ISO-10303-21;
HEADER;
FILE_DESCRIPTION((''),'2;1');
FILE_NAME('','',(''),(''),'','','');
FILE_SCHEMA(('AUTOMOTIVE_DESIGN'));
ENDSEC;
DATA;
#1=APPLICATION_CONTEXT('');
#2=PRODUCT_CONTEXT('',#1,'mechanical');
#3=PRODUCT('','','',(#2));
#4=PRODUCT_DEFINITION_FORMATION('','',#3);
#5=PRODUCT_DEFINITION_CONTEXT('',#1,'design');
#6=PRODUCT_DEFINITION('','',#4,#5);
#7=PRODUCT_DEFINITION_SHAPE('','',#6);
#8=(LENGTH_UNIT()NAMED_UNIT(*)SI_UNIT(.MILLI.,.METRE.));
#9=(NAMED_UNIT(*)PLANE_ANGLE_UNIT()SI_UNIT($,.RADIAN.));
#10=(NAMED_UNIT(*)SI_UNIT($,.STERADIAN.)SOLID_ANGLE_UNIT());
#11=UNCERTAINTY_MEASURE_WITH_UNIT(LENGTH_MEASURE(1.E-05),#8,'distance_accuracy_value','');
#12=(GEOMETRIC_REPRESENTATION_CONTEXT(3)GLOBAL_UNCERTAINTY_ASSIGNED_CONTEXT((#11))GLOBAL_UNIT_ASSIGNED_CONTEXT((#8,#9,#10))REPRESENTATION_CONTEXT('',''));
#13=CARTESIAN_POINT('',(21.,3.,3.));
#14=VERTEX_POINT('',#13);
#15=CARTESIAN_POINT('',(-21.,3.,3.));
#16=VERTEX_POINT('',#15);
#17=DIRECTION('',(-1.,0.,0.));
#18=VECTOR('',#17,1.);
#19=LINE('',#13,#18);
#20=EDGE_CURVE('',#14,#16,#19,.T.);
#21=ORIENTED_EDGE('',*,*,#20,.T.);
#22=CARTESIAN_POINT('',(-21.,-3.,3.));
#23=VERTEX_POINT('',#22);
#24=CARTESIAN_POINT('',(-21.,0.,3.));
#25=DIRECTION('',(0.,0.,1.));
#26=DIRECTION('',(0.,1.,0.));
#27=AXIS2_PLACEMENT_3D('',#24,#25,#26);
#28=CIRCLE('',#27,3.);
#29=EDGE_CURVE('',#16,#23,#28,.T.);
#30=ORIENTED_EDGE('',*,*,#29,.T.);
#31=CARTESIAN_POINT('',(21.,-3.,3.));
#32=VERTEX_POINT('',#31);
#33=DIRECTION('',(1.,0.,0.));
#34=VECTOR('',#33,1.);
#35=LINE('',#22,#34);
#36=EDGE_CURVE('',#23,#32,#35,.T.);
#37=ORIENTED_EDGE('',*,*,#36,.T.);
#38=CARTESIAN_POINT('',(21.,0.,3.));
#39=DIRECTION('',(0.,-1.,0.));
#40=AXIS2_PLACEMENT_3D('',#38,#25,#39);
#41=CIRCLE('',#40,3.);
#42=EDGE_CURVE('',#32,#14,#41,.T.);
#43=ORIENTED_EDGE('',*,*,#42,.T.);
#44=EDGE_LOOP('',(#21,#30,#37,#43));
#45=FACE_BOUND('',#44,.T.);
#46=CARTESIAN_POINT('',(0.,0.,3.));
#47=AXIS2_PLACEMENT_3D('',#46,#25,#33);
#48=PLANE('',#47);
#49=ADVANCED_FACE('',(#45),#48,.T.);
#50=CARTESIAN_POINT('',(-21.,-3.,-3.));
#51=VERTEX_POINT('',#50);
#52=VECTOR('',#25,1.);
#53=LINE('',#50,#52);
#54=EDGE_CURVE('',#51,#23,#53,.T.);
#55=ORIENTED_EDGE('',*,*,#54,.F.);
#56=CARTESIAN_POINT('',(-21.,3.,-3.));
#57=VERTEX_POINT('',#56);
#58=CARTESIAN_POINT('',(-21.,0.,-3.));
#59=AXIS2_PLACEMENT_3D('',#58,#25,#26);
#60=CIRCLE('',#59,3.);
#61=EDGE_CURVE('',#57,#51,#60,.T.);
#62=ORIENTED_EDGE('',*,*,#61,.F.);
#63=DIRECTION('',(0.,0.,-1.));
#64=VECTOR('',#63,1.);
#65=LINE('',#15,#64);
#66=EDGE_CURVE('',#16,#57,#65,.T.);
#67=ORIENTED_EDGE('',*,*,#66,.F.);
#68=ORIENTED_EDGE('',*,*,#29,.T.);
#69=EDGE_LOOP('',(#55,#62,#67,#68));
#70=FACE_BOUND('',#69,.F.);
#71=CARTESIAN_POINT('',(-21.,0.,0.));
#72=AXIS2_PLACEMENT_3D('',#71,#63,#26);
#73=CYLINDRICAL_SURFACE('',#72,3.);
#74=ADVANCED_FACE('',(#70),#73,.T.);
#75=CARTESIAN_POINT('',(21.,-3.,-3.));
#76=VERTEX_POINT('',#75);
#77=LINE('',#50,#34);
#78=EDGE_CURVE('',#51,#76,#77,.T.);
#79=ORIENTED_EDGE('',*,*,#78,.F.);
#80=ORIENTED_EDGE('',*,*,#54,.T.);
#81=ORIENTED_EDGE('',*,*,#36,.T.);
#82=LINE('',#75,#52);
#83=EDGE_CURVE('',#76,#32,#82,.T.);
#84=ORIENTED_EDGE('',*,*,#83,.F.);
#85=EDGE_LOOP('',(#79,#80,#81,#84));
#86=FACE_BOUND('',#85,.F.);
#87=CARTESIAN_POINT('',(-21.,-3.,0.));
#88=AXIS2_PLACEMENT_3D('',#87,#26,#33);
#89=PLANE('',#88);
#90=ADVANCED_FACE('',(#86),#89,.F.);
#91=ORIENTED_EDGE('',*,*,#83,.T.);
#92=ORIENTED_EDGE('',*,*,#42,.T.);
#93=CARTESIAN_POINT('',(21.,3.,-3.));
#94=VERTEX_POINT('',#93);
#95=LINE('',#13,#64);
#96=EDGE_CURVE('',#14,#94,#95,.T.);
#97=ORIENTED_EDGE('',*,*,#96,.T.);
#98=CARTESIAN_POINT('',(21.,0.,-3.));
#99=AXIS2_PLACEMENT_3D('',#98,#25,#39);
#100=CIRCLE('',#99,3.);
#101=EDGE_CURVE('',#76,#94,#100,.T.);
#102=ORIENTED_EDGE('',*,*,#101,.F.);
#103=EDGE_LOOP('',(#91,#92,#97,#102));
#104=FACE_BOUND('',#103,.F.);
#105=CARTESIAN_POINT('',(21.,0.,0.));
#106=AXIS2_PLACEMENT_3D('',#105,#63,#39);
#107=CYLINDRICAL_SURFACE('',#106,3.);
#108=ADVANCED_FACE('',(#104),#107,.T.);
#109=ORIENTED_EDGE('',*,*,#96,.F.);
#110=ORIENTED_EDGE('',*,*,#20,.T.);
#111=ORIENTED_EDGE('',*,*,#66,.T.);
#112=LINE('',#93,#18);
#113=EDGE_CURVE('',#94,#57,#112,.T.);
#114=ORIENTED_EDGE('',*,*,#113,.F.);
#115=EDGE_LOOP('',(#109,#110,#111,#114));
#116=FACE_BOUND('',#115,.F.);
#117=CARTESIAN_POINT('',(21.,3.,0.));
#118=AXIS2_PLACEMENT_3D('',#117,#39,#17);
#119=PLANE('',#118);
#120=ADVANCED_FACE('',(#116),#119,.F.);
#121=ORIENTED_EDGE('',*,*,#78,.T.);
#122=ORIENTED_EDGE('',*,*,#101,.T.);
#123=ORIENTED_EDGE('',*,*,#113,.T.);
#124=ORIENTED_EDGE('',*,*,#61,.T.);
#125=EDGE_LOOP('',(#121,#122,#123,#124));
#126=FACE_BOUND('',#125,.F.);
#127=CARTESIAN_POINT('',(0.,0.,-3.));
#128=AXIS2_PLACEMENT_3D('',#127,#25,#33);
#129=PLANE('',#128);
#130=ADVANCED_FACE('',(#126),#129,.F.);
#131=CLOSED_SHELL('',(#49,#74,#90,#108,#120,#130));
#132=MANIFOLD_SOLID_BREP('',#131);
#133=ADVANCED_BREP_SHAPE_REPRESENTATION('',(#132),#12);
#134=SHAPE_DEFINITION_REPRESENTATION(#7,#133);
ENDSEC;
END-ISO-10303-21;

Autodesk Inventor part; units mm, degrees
ref_plane "YZ Plane" through (0, 0, 0) normal (1, 0, 0) x (0, 1, 0)
ref_plane "XZ Plane" through (0, 0, 0) normal (0, 1, 0) x (-1, 0, 0)
ref_plane "XY Plane" through (0, 0, 0) normal (0, 0, 1) x (1, 0, 0)
sketch "스케치9" plane through (0, 0, 0) normal (0, 0, 1) x (1, 0, 0)
  line L0 (-21, 0) -> (21, 0) construction
  line L1 (-21, -3) -> (21, -3)
  line L2 (21, 3) -> (-21, 3)
  arc A0 (-21, 3) -> (-21, -3) centre (-21, 0) ccw
  arc A1 (21, -3) -> (21, 3) centre (21, 0) ccw
  point P0 (0, 0)
  point P1 (24, 0)
  point P2 (-24, 0)
  dimension "d40" = 6
  dimension "d41" = 48
extrude "돌출4" add sketch "스케치9" along normal mid plane 6
properties part number "KEY" material "SCM435"
